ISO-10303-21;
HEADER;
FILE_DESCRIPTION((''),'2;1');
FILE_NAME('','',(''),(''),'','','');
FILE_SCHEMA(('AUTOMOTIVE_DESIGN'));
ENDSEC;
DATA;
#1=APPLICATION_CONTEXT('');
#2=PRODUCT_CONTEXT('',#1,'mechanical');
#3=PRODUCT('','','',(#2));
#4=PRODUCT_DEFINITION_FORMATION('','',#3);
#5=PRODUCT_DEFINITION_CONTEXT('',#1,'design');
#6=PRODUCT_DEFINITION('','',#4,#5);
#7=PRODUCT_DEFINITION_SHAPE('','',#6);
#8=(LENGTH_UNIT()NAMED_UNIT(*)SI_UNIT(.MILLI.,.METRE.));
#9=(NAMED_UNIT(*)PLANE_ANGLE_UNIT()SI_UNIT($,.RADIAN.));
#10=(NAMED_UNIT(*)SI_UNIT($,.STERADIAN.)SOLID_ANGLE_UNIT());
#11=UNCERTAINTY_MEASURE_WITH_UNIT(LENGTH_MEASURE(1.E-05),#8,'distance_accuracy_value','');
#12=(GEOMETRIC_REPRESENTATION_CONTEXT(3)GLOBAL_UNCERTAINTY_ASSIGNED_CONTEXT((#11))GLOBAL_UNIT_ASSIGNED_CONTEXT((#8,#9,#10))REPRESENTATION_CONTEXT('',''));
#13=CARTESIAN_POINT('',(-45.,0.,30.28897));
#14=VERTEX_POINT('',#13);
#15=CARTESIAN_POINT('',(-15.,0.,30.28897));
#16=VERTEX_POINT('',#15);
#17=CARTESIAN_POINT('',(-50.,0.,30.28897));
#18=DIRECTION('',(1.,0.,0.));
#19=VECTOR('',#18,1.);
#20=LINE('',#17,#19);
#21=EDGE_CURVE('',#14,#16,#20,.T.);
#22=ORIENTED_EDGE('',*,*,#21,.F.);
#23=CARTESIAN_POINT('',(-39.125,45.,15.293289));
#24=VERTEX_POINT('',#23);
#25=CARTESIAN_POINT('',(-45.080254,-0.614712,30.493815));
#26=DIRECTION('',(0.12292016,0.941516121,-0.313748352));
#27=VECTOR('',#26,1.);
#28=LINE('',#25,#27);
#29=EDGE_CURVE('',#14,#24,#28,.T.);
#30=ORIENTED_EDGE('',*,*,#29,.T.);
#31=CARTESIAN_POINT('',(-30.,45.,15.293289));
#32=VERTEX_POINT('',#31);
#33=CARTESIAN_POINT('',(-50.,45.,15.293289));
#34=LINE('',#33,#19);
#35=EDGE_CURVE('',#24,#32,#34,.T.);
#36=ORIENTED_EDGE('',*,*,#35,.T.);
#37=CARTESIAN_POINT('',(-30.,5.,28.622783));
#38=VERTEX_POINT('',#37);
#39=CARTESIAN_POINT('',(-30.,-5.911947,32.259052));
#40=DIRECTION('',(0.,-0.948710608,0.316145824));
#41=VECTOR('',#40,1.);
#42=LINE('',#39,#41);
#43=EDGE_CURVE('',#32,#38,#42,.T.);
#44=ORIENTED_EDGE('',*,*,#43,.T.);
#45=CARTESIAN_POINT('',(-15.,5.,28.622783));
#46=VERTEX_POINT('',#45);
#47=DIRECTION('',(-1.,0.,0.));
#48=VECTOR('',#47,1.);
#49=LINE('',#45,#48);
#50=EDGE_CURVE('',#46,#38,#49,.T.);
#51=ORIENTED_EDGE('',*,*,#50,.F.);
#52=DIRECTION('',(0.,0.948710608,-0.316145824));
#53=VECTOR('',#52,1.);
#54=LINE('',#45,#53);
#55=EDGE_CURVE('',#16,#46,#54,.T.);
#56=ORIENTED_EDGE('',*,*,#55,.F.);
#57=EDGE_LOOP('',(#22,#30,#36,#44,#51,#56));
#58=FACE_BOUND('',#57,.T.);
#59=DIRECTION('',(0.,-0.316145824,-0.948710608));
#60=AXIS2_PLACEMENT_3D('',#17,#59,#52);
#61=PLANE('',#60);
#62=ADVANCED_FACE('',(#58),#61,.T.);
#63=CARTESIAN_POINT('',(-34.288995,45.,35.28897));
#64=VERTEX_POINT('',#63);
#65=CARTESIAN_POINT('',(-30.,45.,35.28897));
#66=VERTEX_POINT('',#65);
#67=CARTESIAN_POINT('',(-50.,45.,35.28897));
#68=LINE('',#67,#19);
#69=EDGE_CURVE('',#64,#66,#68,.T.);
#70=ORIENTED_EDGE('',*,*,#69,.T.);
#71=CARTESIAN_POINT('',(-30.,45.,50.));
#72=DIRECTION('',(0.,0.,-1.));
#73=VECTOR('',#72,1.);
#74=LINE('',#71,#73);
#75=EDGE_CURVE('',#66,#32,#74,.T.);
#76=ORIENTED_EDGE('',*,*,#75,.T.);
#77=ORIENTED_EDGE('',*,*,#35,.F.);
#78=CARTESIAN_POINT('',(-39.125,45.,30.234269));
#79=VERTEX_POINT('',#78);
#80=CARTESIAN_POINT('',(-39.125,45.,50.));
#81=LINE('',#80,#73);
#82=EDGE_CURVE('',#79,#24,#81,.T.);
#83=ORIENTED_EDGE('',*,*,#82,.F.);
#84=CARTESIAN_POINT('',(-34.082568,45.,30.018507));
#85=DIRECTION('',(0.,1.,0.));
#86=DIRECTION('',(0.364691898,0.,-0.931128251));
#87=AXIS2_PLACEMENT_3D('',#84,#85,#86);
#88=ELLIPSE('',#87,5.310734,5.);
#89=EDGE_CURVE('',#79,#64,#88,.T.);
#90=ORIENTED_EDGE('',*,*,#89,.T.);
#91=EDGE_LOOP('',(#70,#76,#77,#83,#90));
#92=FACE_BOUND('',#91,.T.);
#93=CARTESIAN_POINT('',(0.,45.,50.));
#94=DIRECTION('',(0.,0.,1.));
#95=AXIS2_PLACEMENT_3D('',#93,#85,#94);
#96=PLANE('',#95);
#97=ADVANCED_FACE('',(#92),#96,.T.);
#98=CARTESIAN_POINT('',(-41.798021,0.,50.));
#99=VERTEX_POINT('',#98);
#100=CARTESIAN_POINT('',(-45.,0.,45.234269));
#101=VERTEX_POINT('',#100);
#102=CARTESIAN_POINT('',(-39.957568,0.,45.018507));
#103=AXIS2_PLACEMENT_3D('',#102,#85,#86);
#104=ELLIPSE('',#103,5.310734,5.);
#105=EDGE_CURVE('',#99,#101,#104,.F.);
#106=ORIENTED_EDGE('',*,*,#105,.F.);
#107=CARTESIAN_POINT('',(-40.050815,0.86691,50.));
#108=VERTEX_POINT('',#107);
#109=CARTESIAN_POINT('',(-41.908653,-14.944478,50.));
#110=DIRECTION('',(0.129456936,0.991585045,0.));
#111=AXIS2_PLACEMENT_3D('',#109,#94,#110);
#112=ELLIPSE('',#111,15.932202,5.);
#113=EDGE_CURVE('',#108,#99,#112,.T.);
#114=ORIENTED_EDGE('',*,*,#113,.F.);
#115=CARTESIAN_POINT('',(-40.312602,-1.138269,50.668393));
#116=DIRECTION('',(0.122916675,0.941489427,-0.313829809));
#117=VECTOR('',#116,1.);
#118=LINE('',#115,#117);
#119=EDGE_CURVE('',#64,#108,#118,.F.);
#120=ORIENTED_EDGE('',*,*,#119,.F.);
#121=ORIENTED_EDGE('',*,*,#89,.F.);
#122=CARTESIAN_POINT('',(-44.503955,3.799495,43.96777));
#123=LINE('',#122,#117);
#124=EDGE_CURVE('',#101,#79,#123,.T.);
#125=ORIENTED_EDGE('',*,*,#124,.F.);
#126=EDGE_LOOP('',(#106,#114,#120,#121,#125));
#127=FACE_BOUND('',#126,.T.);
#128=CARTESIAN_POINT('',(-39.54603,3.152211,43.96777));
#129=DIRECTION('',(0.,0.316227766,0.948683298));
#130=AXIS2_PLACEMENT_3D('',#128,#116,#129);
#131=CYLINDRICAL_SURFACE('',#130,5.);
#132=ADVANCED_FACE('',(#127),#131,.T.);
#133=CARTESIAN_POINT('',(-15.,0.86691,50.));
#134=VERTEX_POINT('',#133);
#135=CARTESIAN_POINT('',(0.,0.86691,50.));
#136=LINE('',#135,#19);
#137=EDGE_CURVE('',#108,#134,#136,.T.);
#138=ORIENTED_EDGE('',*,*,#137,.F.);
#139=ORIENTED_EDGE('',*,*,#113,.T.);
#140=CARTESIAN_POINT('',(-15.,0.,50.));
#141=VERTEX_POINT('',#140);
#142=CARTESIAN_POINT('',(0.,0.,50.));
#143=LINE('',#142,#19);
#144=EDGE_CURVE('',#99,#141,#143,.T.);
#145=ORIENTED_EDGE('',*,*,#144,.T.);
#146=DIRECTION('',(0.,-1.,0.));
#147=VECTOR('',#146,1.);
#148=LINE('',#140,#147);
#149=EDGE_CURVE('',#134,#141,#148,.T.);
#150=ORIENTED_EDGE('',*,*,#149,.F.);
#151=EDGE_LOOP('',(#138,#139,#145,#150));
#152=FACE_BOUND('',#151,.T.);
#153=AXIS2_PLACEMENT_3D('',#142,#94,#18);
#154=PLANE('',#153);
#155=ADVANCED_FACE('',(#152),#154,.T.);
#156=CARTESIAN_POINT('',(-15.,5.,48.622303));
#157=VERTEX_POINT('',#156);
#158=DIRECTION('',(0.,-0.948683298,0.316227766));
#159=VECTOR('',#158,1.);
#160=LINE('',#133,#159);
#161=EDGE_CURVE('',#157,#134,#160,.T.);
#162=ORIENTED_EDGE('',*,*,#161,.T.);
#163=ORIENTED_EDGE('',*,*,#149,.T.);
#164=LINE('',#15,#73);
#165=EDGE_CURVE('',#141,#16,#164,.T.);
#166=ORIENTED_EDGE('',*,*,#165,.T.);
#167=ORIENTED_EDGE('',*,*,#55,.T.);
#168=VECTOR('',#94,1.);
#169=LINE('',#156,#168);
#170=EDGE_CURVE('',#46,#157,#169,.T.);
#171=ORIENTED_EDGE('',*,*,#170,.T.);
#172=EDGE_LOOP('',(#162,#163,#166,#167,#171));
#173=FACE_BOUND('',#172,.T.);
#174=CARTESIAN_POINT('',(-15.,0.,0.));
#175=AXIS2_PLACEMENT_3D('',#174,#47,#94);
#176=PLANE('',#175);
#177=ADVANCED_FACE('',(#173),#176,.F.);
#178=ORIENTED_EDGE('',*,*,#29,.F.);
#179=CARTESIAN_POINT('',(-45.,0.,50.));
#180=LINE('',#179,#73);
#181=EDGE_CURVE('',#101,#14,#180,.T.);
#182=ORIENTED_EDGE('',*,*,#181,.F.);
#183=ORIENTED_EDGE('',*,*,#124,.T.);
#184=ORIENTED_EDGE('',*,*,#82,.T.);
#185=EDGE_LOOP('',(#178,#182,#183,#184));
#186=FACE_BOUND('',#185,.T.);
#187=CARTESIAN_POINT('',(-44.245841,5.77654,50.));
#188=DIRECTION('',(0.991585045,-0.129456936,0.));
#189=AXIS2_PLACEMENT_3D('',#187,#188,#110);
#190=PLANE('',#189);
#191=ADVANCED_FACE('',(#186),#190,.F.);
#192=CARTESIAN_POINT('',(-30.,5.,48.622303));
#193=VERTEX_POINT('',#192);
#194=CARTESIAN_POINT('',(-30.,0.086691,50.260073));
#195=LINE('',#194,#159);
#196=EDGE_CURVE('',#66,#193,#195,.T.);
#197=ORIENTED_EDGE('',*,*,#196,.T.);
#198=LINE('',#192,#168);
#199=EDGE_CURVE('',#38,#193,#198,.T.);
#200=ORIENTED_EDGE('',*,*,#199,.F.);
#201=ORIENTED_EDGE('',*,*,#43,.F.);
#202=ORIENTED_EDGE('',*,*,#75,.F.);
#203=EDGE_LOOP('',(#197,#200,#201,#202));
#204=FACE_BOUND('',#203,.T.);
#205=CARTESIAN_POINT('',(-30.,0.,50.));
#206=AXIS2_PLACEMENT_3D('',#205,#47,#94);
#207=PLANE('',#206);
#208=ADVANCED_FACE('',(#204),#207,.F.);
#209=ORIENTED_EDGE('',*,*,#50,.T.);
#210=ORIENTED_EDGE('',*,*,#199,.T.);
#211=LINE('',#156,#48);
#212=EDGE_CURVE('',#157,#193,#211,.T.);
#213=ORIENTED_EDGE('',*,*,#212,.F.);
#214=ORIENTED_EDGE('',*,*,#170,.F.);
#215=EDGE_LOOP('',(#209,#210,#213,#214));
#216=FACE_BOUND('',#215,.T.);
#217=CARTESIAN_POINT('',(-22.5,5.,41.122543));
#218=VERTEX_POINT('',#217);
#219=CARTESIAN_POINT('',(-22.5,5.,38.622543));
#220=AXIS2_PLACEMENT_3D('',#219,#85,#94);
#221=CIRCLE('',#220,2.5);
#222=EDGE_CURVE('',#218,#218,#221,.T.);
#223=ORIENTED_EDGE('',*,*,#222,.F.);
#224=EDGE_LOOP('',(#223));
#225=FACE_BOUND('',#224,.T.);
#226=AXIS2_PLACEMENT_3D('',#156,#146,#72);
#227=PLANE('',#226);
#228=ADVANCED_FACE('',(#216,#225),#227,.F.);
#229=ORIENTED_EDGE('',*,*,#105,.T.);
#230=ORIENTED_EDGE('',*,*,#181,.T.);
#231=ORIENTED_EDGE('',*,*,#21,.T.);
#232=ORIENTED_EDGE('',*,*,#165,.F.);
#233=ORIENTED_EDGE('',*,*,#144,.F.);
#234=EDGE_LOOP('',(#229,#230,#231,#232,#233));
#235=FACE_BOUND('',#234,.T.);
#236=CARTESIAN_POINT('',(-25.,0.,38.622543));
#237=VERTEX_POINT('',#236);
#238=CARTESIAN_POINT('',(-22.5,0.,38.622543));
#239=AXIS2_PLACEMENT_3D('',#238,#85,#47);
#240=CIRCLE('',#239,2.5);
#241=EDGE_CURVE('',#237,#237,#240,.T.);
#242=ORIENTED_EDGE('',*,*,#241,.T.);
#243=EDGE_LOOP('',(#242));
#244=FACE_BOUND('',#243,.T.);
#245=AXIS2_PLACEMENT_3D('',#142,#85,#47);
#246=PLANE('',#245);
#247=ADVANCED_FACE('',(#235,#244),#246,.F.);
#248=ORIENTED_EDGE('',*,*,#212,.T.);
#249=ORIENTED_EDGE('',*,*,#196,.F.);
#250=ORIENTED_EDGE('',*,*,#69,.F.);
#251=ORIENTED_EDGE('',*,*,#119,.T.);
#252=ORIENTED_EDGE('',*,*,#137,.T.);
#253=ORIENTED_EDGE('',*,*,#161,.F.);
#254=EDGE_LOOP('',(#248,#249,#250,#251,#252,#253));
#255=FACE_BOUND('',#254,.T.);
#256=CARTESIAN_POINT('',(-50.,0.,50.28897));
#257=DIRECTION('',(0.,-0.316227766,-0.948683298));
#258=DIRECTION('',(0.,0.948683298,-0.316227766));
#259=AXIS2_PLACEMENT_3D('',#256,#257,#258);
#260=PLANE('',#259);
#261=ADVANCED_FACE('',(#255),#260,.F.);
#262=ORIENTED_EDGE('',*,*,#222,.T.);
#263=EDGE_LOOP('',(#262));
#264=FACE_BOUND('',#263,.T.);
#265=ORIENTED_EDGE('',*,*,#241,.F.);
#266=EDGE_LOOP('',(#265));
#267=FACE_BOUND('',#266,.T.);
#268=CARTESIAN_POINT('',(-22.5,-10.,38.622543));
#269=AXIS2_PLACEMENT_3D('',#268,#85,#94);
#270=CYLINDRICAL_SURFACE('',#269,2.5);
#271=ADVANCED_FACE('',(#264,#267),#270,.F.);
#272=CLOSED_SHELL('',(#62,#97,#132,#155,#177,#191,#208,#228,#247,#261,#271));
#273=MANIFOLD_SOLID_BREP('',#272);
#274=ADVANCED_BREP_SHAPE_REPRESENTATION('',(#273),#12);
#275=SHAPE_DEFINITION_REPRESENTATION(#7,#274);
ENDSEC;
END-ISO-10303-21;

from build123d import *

# Parameters (mm, degrees)
EXTRUDE_1_DEPTH     = 50
CUT_EXTRUDE_1_DEPTH = 50
EXTRUDE_3_DEPTH     = 15
SKETCH_8_R          = 2.5
CUT_EXTRUDE_2_DEPTH = 15
FILLET_1_R          = 5


with BuildPart() as part:
    # Эскиз2 → Бобышка-Вытянуть1 (new body)
    with BuildSketch(Plane.XY):
        Polygon((-39.125, 45), (-45, 0), (-30, 0), (-30, 45), align=None)
    extrude(amount=EXTRUDE_1_DEPTH)

    # Эскиз4 → Вырез-Вытянуть1 (cut)
    with BuildSketch(Plane(origin=(0, 0, 0), x_dir=(0, 0, -1), z_dir=(1, 0, 0))):
        Polygon((-50.288969981, 0), (-50, 45), (-35.288969981, 45), align=None)
        Polygon((-30.288969981, 0), (-15.293288519, 45), (0, 45), (0, 0), align=None)
    extrude(amount=-CUT_EXTRUDE_1_DEPTH, mode=Mode.SUBTRACT)

    # Эскиз7 → Бобышка-Вытянуть3 (add)
    with BuildSketch(Plane(origin=(-30, 0, 0), x_dir=(0, 0, -1), z_dir=(1, 0, 0))):
        Polygon((-50, 0), (-50, 0.866909943), (-48.622303314, 5), (-28.622783152, 5), (-30.288969981, 0), align=None)
    extrude(amount=EXTRUDE_3_DEPTH)

    # Эскиз8 → Вырез-Вытянуть2 (cut)
    with BuildSketch(Plane(origin=(0, 5, 0), x_dir=(1, 0, 0), z_dir=(0, 1, 0))):
        with Locations((-22.5, -38.622543233)):
            Circle(SKETCH_8_R)
    extrude(amount=-CUT_EXTRUDE_2_DEPTH, mode=Mode.SUBTRACT)

    # Скругление1
    fillet_1_edges = [part.edges().sort_by_distance(p)[0] for p in [
        (-42.005910045, 22.933454972, 42.644484991),
    ]]
    fillet(fillet_1_edges, radius=FILLET_1_R)


solid = part.part
